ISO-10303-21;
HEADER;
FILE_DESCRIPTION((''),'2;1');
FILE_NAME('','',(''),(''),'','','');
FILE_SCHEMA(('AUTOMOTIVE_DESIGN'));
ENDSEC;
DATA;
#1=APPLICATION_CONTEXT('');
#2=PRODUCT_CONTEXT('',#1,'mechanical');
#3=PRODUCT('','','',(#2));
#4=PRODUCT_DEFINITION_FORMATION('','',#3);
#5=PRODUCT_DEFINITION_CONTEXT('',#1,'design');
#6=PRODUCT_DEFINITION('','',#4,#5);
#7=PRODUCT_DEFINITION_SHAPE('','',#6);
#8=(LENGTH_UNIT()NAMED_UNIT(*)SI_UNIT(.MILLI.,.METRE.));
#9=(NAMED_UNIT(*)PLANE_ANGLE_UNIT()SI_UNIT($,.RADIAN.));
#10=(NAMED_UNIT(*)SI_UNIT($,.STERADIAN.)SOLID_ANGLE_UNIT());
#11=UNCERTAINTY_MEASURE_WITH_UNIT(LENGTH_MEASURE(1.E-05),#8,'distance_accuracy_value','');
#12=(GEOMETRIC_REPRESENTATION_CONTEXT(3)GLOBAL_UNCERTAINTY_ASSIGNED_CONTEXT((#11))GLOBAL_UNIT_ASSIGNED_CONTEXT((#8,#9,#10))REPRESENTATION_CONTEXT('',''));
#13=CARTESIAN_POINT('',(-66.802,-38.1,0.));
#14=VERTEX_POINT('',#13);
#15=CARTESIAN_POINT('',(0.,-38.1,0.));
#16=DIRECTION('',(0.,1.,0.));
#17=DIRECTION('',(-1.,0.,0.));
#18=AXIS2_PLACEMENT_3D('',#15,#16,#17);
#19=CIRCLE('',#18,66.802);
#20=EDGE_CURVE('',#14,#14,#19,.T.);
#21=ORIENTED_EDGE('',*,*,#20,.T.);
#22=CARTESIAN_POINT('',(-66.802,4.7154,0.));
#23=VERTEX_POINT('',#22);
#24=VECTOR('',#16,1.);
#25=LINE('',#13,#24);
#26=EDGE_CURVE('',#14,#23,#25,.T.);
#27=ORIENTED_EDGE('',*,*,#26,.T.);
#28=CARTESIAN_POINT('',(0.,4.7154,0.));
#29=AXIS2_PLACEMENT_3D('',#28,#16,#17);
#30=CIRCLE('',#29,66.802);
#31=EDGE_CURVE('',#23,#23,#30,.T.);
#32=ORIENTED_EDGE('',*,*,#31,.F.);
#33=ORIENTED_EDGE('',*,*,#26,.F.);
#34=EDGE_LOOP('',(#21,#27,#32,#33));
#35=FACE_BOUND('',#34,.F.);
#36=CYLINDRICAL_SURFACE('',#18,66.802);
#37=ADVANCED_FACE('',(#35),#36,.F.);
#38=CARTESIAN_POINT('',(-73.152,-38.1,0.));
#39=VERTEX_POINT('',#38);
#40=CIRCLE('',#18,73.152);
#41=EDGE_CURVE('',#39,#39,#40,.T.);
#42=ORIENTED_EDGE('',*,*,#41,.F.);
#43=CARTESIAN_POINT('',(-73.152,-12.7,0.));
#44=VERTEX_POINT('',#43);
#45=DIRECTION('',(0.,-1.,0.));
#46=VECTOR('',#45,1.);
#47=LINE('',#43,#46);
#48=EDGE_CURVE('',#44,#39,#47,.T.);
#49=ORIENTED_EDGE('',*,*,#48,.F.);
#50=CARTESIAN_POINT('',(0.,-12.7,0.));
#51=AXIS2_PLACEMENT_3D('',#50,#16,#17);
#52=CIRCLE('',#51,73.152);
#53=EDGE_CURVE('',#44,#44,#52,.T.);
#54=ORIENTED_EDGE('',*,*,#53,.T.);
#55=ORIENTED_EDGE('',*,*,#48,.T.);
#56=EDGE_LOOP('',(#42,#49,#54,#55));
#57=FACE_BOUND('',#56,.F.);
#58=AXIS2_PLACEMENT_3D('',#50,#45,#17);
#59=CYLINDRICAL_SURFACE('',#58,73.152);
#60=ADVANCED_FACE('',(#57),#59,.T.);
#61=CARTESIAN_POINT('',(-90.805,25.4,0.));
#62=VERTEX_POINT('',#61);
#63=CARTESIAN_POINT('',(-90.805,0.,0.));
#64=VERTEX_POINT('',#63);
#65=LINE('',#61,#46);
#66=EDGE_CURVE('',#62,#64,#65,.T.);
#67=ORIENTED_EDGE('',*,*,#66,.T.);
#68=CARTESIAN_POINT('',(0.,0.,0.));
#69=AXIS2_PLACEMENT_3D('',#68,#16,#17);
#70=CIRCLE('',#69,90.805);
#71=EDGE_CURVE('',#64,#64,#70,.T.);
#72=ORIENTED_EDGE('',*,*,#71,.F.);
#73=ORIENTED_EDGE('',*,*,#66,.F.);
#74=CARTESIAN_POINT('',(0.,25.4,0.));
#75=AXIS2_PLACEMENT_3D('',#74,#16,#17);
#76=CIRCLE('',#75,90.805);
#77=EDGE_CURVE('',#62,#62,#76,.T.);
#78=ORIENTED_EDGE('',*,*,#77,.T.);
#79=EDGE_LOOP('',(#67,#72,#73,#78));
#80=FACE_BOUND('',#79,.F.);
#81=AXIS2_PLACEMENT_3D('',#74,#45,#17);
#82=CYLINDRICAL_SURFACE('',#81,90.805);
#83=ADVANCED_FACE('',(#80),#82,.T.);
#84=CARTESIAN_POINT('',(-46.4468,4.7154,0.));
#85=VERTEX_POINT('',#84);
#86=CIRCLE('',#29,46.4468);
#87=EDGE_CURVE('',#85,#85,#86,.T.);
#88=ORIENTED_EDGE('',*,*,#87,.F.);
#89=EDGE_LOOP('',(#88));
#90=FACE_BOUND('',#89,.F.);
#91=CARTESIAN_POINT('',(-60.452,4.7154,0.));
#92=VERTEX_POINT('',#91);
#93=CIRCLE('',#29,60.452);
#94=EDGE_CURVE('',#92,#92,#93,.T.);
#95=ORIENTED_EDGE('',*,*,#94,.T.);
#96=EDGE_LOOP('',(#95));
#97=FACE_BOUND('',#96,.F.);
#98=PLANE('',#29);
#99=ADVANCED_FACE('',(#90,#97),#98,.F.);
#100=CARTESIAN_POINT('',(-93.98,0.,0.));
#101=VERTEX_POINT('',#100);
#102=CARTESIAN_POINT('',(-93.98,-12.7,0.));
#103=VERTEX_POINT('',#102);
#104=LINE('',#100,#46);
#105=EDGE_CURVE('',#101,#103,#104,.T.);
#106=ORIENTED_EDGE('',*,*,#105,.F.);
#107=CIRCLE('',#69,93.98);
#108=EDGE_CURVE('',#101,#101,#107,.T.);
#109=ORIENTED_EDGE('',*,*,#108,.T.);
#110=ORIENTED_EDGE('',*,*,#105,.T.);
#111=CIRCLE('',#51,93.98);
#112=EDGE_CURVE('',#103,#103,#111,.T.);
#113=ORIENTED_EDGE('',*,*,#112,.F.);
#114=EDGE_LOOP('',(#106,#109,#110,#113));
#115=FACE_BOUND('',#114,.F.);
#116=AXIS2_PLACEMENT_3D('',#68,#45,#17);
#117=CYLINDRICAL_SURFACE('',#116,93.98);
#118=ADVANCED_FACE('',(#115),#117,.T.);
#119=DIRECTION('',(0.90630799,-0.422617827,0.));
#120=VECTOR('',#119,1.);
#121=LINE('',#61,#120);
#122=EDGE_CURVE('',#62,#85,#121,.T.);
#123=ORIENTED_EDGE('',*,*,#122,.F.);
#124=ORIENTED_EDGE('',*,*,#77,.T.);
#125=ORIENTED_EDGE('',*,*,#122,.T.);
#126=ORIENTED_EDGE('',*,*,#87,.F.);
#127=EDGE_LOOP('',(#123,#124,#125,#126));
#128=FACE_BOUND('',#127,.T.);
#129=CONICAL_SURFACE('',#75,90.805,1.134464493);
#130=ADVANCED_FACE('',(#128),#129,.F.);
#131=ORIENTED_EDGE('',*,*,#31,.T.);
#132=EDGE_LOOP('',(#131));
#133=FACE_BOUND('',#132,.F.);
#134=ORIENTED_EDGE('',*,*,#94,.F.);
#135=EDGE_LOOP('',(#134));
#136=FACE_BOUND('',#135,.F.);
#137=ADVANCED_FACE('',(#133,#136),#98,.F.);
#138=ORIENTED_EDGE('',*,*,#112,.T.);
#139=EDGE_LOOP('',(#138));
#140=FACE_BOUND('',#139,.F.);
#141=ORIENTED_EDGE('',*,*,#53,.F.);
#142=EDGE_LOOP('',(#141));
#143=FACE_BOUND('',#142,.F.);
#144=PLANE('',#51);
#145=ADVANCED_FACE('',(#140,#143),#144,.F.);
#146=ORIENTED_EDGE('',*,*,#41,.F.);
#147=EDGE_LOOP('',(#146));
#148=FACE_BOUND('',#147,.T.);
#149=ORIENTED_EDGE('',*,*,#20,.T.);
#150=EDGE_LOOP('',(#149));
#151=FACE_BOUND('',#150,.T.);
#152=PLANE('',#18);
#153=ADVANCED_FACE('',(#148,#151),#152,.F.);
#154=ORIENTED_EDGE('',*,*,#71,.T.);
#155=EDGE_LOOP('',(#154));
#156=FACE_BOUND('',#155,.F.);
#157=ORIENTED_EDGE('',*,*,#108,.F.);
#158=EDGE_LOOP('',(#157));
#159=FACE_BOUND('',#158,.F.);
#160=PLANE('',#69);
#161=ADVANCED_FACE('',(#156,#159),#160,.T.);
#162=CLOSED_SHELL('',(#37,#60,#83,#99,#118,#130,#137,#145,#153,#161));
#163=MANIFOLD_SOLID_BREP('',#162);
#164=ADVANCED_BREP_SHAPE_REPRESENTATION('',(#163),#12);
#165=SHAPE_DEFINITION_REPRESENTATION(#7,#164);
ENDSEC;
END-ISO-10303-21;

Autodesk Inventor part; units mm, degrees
ref_plane "YZ Plane" through (0, 0, 0) normal (1, 0, 0) x (0, 1, 0)
ref_plane "XZ Plane" through (0, 0, 0) normal (0, 1, 0) x (-1, 0, 0)
ref_plane "XY Plane" through (0, 0, 0) normal (0, 0, 1) x (1, 0, 0)
sketch "Sketch1" plane through (0, 0, 0) normal (0, 0, 1) x (1, 0, 0)
  line L0 (0, 25.4) -> (-28.702, 25.4) construction
  line L1 (0, 25.4) -> (-93.98, 25.4) construction
  line L2 (-93.98, 25.4) -> (-90.805, 25.4) construction
  line L3 (-90.805, 25.4) -> (-84.455, 22.4389) construction
  line L4 (-90.805, 25.4) -> (-90.805, 22.4389) construction
  line L5 (-90.805, 0) -> (-93.98, 0)
  line L6 (-28.702, 59.6457) -> (-28.702, -91.9304) construction
  arc A0 (-28.9184, -9.248) -> (-32.3684, -1.8494) centre (-35.052, -7.6045) ccw
  line L7 (-74.93, -180.9657) -> (-28.702, -8.4405)
  line L8 (-90.805, 25.4) -> (-90.805, 0)
  line L9 (-90.805, 25.4) -> (-32.3684, -1.8494)
  line L10 (-28.702, -7.6045) -> (-60.452, -7.6045) construction
  line L11 (-60.452, 11.2462) -> (-60.452, -126.9331) construction
  line L12 (-60.452, -126.9331) -> (-54.102, -126.9331) construction
  line L13 (-54.102, -126.9331) -> (-54.102, -103.2346) construction
  line L14 (-54.102, -103.2346) -> (-60.452, -103.2346)
  line L15 (-60.452, 11.2462) -> (-60.452, 1.7212) construction
  line L16 (-60.452, 11.2462) -> (-60.452, 4.7154) construction
  line L17 (-60.452, 4.7154) -> (-46.4468, 4.7154)
  line L18 (-60.452, 4.7154) -> (-60.452, -103.2346)
  line L19 (-93.98, 0) -> (-93.98, -12.7) construction
  line L20 (-60.452, -12.7) -> (-73.152, -12.7) construction
  line L21 (-93.98, -12.7) -> (-93.98, -25.4) construction
  line L22 (-93.98, -25.4) -> (-93.98, -88.9) construction
  line L23 (-93.98, -88.9) -> (-81.28, -88.9) construction
  line L24 (-81.28, -88.9) -> (-81.28, -25.4) construction
  line L25 (-93.98, -25.4) -> (-81.28, -25.4)
  line L26 (-81.28, -25.4) -> (-81.28, -88.9)
  line L27 (-81.28, -88.9) -> (-93.98, -88.9)
  line L28 (-93.98, -12.7) -> (-73.152, -12.7)
  line L29 (-73.152, -138.7824) -> (-63.627, -138.7824)
  line L30 (-81.28, -88.9) -> (-81.28, -180.9657)
  line L31 (-81.28, -180.9657) -> (-74.93, -180.9657)
  line L32 (-73.152, -12.7) -> (-73.152, -138.7824)
  line L33 (-87.63, -25.4) -> (-87.63, -31.3436)
  line L34 (-87.63, -31.3436) -> (-93.98, -31.3436)
  line L35 (-93.98, 0) -> (-93.98, -25.4)
  line L36 (-93.98, -31.3436) -> (-93.98, -88.9)
  line L37 (-87.63, -155.5657) -> (-87.63, -216.5135)
  line L38 (-28.9184, -9.248) -> (-84.455, -216.5135)
  line L39 (-84.455, -216.5135) -> (-87.63, -216.5135)
  line L40 (-81.28, -155.5657) -> (-87.63, -155.5657)
  line L41 (-60.452, 4.7154) -> (-60.452, -7.6045)
  line L42 (-66.802, -38.1) -> (-73.152, -38.1)
  line L43 (-66.802, -38.1) -> (-66.802, 4.7154)
  line L44 (-66.802, 4.7154) -> (-60.452, 4.7154)
  line L45 (0, -319.0244) -> (0, 122.7573) projected
  point P0 (0, 0)
  point P1 (-93.98, -255.9127)
  point P2 (-88.7095, 22.4389)
  dimension "d0" = 28.702
  dimension "d1" = 93.98
  dimension "d2" = 3.175
  dimension "d3" = 25
  dimension "d5" = 25.4
  dimension "d6" = 25.4
  dimension "d8" = 12.7
  dimension "d12" = 31.75
  dimension "d13" = 6.35
  dimension "d16" = 12.7
  dimension "d17" = 12.7
  dimension "d18" = 12.7
  dimension "d19" = 63.5
  dimension "d20" = 12.7
  dimension "d22" = 9.525
  dimension "d23" = 6.35
  dimension "d25" = 5.9436
  dimension "d26" = 15
  dimension "d27" = 3.175
  dimension "d28" = 6.35
  dimension "d29" = 25.4
  dimension "d30" = 107.95
  dimension "d31" = 6.35
  dimension "d32" = 25.4
revolve "Revolution1" add sketch "Sketch1" angle 360 about axis through (0, -10, 0) along (0, 1, 0) contours L8 L9 L17 L44 L43 L42 L32 L28 L35 L5
properties part number "Phenolic" material "Phenolic Resin"
